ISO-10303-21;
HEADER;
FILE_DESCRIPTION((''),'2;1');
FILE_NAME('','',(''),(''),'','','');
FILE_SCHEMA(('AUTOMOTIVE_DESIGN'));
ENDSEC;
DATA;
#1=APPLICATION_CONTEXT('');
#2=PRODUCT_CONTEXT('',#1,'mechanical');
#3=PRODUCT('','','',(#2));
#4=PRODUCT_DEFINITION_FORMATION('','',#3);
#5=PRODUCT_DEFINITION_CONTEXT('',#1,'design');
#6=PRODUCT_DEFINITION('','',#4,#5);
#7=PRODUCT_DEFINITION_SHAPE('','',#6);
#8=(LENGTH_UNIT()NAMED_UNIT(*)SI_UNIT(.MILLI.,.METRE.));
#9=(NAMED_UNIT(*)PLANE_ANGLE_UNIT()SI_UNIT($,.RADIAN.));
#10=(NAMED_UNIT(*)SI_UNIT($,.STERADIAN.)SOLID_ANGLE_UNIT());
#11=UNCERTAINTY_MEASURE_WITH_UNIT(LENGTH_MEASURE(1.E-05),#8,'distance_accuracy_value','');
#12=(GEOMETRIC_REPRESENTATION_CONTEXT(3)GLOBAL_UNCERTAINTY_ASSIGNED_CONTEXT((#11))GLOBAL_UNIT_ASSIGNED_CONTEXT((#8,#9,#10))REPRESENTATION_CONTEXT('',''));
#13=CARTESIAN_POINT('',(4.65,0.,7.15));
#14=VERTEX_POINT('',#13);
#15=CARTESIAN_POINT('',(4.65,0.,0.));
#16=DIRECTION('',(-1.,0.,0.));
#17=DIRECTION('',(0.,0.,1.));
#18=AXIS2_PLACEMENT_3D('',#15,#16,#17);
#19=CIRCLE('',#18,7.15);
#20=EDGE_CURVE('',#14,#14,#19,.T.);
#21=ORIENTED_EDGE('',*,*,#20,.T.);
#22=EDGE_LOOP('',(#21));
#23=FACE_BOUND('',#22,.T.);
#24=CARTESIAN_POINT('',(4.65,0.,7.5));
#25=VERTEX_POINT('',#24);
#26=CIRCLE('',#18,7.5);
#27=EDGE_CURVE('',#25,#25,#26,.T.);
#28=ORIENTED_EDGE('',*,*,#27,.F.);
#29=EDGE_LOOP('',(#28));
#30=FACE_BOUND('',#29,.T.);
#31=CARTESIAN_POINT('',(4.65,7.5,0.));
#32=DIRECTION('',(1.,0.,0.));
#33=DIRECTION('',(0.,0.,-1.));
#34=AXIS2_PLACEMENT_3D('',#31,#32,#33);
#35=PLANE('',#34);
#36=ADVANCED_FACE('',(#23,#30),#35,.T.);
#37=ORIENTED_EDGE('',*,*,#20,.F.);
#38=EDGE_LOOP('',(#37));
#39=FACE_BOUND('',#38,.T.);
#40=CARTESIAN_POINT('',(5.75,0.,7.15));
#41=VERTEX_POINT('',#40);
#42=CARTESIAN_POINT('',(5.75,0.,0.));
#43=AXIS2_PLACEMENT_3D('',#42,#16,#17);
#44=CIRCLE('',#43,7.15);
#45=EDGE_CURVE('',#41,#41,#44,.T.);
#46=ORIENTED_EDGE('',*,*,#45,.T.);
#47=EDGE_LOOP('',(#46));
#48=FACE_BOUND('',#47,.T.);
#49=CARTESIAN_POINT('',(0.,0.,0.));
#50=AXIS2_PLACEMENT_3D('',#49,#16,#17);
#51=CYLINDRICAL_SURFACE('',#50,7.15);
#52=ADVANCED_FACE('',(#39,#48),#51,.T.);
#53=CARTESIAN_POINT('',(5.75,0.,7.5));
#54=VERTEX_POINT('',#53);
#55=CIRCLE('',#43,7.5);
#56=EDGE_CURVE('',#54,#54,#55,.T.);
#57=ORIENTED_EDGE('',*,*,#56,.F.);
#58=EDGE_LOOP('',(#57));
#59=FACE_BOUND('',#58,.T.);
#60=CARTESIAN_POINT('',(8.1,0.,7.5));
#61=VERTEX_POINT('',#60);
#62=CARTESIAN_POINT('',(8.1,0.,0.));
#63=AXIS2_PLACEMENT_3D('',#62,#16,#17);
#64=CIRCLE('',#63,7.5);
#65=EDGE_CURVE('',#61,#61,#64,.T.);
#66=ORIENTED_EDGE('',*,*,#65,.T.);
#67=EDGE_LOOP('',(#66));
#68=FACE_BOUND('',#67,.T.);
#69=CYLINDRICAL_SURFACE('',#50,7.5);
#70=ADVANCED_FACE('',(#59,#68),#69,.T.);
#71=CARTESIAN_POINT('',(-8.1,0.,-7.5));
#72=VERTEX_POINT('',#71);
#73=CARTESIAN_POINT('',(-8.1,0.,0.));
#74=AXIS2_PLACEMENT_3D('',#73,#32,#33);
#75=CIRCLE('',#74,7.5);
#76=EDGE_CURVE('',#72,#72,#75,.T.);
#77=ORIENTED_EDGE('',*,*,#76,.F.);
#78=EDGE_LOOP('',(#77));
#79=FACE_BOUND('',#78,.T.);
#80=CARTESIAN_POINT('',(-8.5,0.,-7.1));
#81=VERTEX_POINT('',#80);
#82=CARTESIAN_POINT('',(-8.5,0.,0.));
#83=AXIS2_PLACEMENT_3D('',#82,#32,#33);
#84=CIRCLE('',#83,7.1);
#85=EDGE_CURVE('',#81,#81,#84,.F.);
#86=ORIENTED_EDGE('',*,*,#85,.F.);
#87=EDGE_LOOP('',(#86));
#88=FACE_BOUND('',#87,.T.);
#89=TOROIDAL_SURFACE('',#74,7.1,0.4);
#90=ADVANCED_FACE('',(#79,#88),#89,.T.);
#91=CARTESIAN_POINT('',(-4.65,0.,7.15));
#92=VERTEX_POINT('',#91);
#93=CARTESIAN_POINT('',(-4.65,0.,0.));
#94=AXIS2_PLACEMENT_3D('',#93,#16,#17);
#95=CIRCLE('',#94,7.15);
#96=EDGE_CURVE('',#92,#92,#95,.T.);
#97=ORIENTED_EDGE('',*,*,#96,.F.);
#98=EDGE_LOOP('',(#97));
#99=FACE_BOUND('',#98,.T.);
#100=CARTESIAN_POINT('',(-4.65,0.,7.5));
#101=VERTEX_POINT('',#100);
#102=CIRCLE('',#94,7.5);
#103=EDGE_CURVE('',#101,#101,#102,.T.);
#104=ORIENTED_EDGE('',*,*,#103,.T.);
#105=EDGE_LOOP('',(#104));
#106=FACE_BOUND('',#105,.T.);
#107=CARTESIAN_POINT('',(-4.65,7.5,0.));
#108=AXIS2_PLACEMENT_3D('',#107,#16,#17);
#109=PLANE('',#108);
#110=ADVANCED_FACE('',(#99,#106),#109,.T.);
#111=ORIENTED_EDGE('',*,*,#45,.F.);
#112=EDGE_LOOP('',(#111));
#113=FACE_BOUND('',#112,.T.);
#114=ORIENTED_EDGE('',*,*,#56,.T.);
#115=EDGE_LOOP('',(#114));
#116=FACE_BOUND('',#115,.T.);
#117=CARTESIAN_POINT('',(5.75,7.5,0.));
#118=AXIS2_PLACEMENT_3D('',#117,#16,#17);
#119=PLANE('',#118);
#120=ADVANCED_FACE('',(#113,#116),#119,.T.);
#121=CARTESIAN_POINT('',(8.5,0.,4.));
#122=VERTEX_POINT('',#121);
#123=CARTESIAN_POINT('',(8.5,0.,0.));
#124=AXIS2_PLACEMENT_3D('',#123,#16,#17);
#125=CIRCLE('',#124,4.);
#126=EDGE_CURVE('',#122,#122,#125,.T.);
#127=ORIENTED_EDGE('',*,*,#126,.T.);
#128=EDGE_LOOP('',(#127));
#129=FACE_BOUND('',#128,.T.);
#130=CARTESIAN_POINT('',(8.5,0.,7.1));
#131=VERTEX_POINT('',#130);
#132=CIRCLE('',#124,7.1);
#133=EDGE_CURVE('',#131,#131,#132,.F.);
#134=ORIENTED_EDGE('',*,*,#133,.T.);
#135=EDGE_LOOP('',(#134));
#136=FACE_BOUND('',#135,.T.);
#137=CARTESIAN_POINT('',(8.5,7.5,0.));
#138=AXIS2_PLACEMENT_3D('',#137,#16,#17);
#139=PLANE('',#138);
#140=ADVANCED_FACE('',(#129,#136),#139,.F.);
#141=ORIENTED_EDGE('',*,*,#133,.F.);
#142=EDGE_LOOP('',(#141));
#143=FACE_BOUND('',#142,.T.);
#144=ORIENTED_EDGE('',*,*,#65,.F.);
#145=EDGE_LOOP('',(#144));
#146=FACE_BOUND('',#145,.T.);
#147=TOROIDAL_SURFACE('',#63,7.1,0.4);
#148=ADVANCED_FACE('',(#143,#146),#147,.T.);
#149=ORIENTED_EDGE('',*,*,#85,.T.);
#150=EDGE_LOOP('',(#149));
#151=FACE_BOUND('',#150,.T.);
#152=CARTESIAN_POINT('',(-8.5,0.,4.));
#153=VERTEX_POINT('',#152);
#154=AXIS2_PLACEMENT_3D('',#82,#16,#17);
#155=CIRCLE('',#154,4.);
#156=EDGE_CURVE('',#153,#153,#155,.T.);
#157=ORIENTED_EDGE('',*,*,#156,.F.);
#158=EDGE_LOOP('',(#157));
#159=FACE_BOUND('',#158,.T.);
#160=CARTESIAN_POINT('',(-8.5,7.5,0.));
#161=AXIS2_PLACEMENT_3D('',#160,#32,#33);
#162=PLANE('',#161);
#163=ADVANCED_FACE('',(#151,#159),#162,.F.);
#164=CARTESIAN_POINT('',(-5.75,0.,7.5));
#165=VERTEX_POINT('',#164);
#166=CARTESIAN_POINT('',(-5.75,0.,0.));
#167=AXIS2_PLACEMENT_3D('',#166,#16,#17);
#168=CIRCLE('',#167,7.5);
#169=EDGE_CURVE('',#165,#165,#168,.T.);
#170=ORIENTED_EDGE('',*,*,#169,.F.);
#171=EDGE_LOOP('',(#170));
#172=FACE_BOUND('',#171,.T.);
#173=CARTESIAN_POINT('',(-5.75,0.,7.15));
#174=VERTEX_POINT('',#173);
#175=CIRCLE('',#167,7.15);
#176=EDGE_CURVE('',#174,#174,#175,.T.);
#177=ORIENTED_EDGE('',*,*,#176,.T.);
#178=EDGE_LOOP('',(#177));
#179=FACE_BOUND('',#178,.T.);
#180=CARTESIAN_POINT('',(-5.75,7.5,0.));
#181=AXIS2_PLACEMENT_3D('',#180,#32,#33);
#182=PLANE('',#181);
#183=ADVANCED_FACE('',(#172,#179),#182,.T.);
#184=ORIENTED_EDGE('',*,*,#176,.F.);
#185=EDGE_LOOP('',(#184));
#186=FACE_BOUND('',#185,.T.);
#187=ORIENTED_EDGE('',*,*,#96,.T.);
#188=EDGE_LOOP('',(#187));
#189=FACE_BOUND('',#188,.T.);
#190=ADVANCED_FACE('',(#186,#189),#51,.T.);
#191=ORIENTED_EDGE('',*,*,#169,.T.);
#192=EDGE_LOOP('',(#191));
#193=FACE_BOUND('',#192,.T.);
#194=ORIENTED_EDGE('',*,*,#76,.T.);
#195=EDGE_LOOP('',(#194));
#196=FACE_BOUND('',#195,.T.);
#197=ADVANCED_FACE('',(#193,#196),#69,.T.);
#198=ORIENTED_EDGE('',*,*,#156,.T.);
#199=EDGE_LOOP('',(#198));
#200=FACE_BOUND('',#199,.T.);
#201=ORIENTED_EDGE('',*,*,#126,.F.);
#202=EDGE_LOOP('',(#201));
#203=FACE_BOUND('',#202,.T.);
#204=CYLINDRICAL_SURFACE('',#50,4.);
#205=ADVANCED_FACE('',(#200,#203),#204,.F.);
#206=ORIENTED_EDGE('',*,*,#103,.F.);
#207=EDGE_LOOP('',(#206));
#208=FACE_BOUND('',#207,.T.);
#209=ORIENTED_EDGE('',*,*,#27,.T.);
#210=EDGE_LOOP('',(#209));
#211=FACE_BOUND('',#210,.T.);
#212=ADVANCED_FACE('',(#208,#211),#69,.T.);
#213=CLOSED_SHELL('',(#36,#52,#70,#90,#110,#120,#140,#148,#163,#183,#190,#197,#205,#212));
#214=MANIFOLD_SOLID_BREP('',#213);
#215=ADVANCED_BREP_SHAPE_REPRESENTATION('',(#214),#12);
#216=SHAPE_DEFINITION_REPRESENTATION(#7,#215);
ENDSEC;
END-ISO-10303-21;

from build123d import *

# Parameters (mm, degrees)
SKETCH_1_W = 17
SKETCH_1_H = 3.5
SKETCH_2_W = 1.1
SKETCH_2_H = 0.35
FILLET_1_R = 0.4


with BuildPart() as part:
    # 草图1 → 旋转1 (revolve)
    with BuildSketch(Plane.XY, mode=Mode.PRIVATE) as revolve_1_sk:
        with Locations((0, 5.75)):
            Rectangle(SKETCH_1_W, SKETCH_1_H)
    revolve(revolve_1_sk.sketch.rotate(Axis((0, 0, 0), (1, 0, 0)), 90), axis=Axis((0, 0, 0), (1, 0, 0)))

    # 草图2 → 切除-旋转1 (revolve, cut)
    with BuildSketch(Plane.XY, mode=Mode.PRIVATE) as cut_revolve_1_sk:
        with Locations((-5.2, 7.325)):
            Rectangle(SKETCH_2_W, SKETCH_2_H)
        with Locations((5.2, 7.325)):
            Rectangle(SKETCH_2_W, SKETCH_2_H)
    revolve(cut_revolve_1_sk.sketch.rotate(Axis((0, 0, 0), (1, 0, 0)), 90), axis=Axis((0, 0, 0), (1, 0, 0)), mode=Mode.SUBTRACT)

    # 圆角1
    fillet_1_edges = [part.edges().sort_by_distance(p)[0] for p in [
        (-8.5, 0, -7.5),
        (8.5, 0, -7.5),
    ]]
    fillet(fillet_1_edges, radius=FILLET_1_R)


solid = part.part
